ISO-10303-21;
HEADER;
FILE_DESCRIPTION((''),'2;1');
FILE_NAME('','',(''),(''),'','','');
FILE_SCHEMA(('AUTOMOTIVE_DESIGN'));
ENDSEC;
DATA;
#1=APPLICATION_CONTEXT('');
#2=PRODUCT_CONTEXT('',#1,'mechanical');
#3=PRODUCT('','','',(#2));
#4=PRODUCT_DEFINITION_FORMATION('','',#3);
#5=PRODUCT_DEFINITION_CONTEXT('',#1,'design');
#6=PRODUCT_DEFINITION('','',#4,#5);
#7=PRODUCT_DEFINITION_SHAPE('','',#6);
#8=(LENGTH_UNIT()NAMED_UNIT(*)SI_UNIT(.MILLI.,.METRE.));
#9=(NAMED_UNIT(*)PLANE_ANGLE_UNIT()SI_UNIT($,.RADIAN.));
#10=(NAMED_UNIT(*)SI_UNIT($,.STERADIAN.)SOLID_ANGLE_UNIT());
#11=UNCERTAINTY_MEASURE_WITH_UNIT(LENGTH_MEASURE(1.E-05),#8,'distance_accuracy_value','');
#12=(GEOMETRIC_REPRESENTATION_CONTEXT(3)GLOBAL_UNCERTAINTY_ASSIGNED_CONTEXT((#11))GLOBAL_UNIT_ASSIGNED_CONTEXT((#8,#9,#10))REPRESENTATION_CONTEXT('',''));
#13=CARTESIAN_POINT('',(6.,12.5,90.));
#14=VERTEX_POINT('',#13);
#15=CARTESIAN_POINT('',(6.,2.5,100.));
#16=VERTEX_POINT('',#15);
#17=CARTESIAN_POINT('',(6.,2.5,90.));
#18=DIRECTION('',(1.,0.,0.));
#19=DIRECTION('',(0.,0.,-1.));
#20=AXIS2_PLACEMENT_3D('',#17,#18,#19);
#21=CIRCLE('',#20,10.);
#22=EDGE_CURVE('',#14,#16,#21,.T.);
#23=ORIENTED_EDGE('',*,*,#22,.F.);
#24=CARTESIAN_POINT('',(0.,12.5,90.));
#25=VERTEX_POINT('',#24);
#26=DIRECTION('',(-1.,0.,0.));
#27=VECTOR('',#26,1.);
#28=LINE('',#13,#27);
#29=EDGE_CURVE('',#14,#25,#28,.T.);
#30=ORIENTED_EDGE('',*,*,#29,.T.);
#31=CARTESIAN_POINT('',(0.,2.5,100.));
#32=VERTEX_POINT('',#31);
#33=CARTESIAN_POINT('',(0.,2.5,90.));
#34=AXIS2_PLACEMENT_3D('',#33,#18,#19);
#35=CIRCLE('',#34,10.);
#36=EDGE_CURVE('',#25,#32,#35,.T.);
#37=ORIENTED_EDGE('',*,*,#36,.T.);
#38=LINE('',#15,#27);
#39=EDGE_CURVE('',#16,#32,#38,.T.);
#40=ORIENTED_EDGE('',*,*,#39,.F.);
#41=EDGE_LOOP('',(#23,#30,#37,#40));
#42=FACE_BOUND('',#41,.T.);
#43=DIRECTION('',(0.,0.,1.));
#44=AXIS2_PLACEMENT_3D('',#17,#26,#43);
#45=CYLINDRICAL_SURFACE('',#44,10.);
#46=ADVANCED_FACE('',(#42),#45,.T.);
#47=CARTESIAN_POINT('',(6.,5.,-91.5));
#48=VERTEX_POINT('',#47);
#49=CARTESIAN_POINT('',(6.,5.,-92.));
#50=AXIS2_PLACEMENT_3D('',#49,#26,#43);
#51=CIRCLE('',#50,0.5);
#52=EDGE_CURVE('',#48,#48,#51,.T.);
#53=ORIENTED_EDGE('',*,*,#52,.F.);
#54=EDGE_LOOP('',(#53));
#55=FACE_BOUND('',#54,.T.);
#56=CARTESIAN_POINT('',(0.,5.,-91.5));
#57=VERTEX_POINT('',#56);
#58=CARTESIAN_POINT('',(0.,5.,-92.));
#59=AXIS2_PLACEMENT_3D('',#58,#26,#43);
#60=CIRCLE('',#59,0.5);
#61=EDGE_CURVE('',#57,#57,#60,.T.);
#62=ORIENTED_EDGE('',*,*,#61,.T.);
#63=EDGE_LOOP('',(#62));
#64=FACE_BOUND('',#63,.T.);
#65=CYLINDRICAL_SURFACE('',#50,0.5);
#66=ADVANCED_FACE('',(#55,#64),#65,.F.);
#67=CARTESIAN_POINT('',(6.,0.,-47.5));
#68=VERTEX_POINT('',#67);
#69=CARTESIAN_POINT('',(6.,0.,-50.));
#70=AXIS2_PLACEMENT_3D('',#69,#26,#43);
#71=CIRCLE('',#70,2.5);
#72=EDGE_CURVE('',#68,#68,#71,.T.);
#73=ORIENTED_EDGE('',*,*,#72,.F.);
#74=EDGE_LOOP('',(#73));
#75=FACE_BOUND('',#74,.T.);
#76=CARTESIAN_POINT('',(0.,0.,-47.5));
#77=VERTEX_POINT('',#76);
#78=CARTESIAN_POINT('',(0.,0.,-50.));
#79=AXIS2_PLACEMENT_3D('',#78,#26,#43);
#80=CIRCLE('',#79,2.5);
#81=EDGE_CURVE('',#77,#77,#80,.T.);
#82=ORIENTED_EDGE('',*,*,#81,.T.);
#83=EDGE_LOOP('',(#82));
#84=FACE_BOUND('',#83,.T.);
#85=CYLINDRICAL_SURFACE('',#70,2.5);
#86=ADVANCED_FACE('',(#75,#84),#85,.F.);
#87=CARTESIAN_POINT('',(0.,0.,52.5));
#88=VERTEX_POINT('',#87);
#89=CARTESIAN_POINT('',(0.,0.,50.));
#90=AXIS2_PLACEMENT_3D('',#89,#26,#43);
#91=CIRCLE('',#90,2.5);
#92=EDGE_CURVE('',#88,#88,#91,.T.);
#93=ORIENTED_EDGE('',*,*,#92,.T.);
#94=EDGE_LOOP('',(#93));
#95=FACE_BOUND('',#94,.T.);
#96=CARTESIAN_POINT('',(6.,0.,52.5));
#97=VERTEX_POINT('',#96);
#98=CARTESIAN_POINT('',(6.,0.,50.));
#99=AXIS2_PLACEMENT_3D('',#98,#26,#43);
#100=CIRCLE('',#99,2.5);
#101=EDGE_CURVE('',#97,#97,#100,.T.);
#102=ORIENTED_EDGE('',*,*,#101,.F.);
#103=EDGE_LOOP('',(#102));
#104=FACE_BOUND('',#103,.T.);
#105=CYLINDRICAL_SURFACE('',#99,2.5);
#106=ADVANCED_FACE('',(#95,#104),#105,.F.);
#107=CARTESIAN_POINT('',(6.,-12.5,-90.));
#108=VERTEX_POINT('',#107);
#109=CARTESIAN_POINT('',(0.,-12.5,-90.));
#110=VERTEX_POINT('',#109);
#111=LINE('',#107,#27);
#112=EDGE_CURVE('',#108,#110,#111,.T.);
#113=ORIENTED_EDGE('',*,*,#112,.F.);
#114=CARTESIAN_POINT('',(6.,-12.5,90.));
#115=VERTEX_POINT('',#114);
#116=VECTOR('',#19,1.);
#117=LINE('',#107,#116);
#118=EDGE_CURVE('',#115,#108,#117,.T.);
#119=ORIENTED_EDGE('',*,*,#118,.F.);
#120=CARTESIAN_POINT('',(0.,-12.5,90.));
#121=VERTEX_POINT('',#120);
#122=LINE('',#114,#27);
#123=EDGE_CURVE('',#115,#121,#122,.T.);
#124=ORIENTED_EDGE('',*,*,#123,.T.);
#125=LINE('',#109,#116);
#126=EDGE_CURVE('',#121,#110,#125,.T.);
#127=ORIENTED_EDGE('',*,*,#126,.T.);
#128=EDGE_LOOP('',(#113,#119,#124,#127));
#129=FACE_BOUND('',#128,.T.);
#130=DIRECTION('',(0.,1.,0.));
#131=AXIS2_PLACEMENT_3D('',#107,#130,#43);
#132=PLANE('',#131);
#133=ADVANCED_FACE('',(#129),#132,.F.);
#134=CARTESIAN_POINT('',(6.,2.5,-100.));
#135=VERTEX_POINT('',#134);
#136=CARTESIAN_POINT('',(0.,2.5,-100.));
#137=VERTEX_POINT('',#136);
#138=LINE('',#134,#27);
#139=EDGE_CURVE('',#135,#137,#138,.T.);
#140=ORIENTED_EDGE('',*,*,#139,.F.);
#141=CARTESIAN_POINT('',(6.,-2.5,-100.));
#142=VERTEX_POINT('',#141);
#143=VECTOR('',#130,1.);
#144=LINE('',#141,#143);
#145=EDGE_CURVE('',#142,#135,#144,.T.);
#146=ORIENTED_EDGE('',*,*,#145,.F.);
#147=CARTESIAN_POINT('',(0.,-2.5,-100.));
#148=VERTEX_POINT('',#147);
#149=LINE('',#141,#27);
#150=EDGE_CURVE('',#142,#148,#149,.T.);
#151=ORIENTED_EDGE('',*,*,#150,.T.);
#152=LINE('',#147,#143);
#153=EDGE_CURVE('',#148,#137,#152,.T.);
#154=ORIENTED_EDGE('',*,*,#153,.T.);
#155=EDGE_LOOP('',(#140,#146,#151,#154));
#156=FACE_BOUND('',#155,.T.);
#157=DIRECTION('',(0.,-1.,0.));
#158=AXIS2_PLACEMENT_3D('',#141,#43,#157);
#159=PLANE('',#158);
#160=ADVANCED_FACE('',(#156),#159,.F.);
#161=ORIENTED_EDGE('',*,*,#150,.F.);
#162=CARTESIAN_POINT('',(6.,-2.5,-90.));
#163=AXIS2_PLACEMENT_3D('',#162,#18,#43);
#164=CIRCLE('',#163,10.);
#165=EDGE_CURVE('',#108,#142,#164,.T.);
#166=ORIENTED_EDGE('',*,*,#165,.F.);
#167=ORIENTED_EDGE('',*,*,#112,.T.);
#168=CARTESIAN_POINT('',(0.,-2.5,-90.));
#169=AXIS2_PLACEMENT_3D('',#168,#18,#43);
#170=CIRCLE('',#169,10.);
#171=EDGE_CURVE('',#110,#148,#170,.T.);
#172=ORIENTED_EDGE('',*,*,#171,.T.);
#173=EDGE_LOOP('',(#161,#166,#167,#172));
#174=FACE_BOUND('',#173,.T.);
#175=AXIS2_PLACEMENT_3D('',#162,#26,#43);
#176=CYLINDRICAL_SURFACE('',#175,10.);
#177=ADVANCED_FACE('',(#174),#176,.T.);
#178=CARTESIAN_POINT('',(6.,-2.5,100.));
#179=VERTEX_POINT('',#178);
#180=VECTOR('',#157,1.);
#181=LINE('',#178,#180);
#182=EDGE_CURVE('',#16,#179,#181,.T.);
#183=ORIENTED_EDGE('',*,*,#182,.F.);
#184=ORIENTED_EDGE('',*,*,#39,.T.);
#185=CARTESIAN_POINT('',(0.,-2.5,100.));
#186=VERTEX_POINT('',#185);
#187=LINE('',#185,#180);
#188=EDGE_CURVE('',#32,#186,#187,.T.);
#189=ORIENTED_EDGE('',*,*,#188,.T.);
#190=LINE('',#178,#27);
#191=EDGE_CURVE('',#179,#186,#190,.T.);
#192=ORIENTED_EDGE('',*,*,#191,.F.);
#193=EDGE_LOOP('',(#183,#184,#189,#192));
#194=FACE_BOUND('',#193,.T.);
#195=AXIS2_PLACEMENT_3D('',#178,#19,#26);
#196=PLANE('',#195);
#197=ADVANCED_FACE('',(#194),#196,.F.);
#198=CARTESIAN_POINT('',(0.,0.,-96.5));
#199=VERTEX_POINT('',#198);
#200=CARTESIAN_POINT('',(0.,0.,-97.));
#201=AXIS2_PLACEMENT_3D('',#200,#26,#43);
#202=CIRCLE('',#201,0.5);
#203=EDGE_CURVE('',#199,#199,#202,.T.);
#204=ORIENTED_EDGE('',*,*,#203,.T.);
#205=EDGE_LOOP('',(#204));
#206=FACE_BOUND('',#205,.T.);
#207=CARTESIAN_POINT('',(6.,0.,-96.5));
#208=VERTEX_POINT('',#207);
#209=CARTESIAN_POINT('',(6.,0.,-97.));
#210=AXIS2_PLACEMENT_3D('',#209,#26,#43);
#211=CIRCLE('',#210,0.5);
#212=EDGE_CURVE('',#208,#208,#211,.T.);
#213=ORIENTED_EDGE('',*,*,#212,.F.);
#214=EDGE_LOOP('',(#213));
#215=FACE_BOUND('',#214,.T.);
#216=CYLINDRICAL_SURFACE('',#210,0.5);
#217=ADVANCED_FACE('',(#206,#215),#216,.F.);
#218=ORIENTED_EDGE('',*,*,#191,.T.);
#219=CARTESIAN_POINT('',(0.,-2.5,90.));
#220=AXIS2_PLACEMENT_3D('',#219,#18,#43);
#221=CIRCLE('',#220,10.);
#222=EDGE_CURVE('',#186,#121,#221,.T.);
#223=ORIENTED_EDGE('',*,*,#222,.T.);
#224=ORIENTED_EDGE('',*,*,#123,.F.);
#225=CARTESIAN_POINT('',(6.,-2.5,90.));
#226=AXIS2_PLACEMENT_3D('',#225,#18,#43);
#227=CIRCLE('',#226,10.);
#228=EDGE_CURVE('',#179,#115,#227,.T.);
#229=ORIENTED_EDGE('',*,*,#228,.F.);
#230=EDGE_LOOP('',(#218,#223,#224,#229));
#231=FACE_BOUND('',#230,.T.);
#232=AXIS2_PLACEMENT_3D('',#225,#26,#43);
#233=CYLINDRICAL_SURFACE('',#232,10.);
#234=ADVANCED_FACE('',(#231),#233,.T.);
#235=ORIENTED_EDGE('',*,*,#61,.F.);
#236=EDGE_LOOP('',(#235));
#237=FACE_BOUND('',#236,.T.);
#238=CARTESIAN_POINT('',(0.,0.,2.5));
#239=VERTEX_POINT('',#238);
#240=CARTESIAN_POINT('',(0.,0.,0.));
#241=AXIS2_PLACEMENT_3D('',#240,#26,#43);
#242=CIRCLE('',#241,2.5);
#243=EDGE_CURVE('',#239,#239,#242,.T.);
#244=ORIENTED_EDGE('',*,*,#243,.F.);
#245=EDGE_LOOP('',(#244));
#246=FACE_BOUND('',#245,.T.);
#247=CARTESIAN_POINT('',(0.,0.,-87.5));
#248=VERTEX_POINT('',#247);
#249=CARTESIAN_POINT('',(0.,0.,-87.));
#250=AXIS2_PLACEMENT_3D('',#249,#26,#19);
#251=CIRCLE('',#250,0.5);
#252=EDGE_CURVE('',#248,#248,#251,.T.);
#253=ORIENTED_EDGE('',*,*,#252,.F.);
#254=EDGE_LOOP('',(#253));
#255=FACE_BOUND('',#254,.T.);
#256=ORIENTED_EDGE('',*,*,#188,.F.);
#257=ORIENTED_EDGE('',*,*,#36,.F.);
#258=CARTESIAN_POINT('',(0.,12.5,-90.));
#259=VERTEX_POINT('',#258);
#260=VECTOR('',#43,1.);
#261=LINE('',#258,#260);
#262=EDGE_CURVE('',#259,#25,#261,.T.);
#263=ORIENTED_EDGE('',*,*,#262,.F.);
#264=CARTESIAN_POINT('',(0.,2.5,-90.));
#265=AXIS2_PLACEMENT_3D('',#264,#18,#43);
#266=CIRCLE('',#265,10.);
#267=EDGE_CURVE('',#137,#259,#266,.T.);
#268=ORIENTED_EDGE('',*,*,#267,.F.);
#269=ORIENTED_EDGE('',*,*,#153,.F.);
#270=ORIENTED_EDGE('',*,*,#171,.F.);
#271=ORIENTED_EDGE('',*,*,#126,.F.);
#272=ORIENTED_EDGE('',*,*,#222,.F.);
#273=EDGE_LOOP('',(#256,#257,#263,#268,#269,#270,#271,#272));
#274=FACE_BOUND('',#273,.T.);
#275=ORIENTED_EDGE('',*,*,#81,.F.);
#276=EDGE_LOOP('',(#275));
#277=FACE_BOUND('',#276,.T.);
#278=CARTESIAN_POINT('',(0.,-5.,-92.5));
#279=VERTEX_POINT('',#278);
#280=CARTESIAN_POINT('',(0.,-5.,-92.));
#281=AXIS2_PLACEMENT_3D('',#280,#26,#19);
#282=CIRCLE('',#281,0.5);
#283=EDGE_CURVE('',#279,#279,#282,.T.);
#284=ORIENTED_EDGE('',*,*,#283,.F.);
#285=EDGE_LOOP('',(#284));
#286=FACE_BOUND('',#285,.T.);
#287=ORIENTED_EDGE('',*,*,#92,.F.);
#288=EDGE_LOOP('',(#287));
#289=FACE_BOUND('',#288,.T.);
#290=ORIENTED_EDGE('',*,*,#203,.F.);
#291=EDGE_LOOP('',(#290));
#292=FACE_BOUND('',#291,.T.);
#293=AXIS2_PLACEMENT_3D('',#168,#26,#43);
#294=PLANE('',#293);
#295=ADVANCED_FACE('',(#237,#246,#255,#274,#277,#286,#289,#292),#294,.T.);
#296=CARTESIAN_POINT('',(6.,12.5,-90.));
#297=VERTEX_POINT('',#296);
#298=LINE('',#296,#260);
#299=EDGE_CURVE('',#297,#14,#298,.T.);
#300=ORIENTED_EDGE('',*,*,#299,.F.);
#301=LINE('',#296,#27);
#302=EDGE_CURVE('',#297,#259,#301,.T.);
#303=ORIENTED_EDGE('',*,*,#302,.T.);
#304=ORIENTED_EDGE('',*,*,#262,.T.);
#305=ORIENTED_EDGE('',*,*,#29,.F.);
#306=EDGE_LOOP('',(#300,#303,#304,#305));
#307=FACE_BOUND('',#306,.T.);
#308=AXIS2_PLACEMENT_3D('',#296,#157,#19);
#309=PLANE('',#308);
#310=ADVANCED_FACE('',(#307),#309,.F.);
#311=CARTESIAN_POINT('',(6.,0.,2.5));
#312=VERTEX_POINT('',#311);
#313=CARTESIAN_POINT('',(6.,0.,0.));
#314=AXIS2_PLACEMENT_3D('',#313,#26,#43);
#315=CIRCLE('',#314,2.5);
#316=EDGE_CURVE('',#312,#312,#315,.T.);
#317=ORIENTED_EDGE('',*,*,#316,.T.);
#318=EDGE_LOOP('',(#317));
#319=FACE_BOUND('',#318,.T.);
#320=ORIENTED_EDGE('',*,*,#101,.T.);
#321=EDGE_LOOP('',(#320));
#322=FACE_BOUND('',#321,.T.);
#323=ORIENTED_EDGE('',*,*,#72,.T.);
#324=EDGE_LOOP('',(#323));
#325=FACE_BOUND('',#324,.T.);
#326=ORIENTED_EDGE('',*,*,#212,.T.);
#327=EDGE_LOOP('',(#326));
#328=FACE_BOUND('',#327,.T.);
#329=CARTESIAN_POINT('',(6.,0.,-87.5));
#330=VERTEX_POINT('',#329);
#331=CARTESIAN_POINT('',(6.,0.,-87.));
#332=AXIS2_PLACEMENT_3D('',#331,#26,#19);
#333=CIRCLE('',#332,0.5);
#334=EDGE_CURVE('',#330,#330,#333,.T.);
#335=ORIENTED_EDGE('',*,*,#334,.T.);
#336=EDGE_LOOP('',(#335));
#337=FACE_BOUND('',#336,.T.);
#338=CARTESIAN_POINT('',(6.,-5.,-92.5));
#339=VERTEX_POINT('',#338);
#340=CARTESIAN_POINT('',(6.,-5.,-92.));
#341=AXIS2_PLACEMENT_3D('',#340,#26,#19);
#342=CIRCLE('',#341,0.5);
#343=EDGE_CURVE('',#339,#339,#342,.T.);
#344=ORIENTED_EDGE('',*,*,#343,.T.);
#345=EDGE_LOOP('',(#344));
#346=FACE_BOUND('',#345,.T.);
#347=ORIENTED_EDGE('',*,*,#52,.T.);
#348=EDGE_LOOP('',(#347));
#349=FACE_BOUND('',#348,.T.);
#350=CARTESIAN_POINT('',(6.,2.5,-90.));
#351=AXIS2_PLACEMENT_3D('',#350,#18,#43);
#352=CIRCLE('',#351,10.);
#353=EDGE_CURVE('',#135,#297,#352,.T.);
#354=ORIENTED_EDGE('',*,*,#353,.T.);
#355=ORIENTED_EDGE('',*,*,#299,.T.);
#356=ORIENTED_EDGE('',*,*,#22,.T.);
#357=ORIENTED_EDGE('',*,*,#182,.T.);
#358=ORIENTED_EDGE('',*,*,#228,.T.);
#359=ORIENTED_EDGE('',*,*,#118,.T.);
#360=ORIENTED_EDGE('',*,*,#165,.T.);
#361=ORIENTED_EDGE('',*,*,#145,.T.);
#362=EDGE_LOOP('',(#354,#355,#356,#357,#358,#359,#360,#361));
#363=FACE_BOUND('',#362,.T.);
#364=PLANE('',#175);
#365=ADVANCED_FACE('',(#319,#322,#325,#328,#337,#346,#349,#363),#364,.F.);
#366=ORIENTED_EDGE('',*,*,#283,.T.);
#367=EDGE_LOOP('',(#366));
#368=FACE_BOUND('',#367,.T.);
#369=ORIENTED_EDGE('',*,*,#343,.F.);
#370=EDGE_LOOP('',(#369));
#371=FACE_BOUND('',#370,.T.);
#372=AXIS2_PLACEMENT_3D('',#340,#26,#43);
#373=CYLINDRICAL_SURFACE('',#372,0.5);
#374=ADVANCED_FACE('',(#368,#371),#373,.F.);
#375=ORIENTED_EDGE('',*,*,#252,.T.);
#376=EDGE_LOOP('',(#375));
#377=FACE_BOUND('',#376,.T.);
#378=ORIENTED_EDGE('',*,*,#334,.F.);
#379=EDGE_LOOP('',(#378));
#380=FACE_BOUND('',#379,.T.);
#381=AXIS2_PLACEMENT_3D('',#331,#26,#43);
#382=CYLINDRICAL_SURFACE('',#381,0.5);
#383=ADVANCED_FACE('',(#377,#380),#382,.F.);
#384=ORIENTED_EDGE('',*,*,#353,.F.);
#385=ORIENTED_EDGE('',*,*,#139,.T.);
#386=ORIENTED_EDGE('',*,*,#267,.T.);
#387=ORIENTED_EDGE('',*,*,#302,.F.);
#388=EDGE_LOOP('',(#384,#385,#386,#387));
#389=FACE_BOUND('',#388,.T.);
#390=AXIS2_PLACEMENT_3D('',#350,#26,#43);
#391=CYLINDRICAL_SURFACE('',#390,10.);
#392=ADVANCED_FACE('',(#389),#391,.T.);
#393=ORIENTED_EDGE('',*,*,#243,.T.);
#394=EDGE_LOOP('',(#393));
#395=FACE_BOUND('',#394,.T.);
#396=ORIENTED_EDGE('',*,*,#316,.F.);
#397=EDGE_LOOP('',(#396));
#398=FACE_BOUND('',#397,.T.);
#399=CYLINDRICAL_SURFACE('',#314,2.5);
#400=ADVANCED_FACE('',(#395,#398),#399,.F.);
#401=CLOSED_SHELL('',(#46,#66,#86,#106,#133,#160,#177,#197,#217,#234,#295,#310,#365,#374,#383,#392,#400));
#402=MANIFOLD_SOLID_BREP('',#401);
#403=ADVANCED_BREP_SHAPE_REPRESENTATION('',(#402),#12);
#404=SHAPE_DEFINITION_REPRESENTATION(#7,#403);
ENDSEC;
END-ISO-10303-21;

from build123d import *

# Parameters (mm, degrees)
BOSS_EXTRU_1_DEPTH      = 6
ESQUISSE2_R             = 0.5
ESQUISSE2_R_2           = 2.5
ENL_V_MAT_EXTRU_1_DEPTH = 6


with BuildPart() as part:
    # Esquisse1 → Boss.-Extru.1 (new body)
    with BuildSketch(Plane(origin=(0, 0, 0), x_dir=(0, 0, -1), z_dir=(1, 0, 0))):
        with BuildLine():
            Line((90, -12.5), (-90, -12.5))
            ThreePointArc((-90, -12.5), (-97.071067812, -9.571067812), (-100, -2.5))
            Line((-100, -2.5), (-100, 2.5))
            ThreePointArc((-100, 2.5), (-97.071067812, 9.571067812), (-90, 12.5))
            Line((-90, 12.5), (90, 12.5))
            ThreePointArc((90, 12.5), (97.071067812, 9.571067812), (100, 2.5))
            Line((100, 2.5), (100, -2.5))
            ThreePointArc((100, -2.5), (97.071067812, -9.571067812), (90, -12.5))
        make_face()
    extrude(amount=BOSS_EXTRU_1_DEPTH)

    # Esquisse2 → Enlèv. mat.-Extru.1 (cut)
    with BuildSketch(Plane.ZY):
        with Locations((-97, 0)):
            Circle(ESQUISSE2_R)
        with Locations((-92, 5)):
            Circle(ESQUISSE2_R)
        with Locations(Location((-92, -5, 0), (0, 0, 180))):
            Circle(ESQUISSE2_R)
        with Locations(Location((-87, 0, 0), (0, 0, 180))):
            Circle(ESQUISSE2_R)
        with Locations((-50, 0)):
            Circle(ESQUISSE2_R_2)
        Circle(ESQUISSE2_R_2)
        with Locations((50, 0)):
            Circle(ESQUISSE2_R_2)
    extrude(amount=-ENL_V_MAT_EXTRU_1_DEPTH, mode=Mode.SUBTRACT)


solid = part.part
